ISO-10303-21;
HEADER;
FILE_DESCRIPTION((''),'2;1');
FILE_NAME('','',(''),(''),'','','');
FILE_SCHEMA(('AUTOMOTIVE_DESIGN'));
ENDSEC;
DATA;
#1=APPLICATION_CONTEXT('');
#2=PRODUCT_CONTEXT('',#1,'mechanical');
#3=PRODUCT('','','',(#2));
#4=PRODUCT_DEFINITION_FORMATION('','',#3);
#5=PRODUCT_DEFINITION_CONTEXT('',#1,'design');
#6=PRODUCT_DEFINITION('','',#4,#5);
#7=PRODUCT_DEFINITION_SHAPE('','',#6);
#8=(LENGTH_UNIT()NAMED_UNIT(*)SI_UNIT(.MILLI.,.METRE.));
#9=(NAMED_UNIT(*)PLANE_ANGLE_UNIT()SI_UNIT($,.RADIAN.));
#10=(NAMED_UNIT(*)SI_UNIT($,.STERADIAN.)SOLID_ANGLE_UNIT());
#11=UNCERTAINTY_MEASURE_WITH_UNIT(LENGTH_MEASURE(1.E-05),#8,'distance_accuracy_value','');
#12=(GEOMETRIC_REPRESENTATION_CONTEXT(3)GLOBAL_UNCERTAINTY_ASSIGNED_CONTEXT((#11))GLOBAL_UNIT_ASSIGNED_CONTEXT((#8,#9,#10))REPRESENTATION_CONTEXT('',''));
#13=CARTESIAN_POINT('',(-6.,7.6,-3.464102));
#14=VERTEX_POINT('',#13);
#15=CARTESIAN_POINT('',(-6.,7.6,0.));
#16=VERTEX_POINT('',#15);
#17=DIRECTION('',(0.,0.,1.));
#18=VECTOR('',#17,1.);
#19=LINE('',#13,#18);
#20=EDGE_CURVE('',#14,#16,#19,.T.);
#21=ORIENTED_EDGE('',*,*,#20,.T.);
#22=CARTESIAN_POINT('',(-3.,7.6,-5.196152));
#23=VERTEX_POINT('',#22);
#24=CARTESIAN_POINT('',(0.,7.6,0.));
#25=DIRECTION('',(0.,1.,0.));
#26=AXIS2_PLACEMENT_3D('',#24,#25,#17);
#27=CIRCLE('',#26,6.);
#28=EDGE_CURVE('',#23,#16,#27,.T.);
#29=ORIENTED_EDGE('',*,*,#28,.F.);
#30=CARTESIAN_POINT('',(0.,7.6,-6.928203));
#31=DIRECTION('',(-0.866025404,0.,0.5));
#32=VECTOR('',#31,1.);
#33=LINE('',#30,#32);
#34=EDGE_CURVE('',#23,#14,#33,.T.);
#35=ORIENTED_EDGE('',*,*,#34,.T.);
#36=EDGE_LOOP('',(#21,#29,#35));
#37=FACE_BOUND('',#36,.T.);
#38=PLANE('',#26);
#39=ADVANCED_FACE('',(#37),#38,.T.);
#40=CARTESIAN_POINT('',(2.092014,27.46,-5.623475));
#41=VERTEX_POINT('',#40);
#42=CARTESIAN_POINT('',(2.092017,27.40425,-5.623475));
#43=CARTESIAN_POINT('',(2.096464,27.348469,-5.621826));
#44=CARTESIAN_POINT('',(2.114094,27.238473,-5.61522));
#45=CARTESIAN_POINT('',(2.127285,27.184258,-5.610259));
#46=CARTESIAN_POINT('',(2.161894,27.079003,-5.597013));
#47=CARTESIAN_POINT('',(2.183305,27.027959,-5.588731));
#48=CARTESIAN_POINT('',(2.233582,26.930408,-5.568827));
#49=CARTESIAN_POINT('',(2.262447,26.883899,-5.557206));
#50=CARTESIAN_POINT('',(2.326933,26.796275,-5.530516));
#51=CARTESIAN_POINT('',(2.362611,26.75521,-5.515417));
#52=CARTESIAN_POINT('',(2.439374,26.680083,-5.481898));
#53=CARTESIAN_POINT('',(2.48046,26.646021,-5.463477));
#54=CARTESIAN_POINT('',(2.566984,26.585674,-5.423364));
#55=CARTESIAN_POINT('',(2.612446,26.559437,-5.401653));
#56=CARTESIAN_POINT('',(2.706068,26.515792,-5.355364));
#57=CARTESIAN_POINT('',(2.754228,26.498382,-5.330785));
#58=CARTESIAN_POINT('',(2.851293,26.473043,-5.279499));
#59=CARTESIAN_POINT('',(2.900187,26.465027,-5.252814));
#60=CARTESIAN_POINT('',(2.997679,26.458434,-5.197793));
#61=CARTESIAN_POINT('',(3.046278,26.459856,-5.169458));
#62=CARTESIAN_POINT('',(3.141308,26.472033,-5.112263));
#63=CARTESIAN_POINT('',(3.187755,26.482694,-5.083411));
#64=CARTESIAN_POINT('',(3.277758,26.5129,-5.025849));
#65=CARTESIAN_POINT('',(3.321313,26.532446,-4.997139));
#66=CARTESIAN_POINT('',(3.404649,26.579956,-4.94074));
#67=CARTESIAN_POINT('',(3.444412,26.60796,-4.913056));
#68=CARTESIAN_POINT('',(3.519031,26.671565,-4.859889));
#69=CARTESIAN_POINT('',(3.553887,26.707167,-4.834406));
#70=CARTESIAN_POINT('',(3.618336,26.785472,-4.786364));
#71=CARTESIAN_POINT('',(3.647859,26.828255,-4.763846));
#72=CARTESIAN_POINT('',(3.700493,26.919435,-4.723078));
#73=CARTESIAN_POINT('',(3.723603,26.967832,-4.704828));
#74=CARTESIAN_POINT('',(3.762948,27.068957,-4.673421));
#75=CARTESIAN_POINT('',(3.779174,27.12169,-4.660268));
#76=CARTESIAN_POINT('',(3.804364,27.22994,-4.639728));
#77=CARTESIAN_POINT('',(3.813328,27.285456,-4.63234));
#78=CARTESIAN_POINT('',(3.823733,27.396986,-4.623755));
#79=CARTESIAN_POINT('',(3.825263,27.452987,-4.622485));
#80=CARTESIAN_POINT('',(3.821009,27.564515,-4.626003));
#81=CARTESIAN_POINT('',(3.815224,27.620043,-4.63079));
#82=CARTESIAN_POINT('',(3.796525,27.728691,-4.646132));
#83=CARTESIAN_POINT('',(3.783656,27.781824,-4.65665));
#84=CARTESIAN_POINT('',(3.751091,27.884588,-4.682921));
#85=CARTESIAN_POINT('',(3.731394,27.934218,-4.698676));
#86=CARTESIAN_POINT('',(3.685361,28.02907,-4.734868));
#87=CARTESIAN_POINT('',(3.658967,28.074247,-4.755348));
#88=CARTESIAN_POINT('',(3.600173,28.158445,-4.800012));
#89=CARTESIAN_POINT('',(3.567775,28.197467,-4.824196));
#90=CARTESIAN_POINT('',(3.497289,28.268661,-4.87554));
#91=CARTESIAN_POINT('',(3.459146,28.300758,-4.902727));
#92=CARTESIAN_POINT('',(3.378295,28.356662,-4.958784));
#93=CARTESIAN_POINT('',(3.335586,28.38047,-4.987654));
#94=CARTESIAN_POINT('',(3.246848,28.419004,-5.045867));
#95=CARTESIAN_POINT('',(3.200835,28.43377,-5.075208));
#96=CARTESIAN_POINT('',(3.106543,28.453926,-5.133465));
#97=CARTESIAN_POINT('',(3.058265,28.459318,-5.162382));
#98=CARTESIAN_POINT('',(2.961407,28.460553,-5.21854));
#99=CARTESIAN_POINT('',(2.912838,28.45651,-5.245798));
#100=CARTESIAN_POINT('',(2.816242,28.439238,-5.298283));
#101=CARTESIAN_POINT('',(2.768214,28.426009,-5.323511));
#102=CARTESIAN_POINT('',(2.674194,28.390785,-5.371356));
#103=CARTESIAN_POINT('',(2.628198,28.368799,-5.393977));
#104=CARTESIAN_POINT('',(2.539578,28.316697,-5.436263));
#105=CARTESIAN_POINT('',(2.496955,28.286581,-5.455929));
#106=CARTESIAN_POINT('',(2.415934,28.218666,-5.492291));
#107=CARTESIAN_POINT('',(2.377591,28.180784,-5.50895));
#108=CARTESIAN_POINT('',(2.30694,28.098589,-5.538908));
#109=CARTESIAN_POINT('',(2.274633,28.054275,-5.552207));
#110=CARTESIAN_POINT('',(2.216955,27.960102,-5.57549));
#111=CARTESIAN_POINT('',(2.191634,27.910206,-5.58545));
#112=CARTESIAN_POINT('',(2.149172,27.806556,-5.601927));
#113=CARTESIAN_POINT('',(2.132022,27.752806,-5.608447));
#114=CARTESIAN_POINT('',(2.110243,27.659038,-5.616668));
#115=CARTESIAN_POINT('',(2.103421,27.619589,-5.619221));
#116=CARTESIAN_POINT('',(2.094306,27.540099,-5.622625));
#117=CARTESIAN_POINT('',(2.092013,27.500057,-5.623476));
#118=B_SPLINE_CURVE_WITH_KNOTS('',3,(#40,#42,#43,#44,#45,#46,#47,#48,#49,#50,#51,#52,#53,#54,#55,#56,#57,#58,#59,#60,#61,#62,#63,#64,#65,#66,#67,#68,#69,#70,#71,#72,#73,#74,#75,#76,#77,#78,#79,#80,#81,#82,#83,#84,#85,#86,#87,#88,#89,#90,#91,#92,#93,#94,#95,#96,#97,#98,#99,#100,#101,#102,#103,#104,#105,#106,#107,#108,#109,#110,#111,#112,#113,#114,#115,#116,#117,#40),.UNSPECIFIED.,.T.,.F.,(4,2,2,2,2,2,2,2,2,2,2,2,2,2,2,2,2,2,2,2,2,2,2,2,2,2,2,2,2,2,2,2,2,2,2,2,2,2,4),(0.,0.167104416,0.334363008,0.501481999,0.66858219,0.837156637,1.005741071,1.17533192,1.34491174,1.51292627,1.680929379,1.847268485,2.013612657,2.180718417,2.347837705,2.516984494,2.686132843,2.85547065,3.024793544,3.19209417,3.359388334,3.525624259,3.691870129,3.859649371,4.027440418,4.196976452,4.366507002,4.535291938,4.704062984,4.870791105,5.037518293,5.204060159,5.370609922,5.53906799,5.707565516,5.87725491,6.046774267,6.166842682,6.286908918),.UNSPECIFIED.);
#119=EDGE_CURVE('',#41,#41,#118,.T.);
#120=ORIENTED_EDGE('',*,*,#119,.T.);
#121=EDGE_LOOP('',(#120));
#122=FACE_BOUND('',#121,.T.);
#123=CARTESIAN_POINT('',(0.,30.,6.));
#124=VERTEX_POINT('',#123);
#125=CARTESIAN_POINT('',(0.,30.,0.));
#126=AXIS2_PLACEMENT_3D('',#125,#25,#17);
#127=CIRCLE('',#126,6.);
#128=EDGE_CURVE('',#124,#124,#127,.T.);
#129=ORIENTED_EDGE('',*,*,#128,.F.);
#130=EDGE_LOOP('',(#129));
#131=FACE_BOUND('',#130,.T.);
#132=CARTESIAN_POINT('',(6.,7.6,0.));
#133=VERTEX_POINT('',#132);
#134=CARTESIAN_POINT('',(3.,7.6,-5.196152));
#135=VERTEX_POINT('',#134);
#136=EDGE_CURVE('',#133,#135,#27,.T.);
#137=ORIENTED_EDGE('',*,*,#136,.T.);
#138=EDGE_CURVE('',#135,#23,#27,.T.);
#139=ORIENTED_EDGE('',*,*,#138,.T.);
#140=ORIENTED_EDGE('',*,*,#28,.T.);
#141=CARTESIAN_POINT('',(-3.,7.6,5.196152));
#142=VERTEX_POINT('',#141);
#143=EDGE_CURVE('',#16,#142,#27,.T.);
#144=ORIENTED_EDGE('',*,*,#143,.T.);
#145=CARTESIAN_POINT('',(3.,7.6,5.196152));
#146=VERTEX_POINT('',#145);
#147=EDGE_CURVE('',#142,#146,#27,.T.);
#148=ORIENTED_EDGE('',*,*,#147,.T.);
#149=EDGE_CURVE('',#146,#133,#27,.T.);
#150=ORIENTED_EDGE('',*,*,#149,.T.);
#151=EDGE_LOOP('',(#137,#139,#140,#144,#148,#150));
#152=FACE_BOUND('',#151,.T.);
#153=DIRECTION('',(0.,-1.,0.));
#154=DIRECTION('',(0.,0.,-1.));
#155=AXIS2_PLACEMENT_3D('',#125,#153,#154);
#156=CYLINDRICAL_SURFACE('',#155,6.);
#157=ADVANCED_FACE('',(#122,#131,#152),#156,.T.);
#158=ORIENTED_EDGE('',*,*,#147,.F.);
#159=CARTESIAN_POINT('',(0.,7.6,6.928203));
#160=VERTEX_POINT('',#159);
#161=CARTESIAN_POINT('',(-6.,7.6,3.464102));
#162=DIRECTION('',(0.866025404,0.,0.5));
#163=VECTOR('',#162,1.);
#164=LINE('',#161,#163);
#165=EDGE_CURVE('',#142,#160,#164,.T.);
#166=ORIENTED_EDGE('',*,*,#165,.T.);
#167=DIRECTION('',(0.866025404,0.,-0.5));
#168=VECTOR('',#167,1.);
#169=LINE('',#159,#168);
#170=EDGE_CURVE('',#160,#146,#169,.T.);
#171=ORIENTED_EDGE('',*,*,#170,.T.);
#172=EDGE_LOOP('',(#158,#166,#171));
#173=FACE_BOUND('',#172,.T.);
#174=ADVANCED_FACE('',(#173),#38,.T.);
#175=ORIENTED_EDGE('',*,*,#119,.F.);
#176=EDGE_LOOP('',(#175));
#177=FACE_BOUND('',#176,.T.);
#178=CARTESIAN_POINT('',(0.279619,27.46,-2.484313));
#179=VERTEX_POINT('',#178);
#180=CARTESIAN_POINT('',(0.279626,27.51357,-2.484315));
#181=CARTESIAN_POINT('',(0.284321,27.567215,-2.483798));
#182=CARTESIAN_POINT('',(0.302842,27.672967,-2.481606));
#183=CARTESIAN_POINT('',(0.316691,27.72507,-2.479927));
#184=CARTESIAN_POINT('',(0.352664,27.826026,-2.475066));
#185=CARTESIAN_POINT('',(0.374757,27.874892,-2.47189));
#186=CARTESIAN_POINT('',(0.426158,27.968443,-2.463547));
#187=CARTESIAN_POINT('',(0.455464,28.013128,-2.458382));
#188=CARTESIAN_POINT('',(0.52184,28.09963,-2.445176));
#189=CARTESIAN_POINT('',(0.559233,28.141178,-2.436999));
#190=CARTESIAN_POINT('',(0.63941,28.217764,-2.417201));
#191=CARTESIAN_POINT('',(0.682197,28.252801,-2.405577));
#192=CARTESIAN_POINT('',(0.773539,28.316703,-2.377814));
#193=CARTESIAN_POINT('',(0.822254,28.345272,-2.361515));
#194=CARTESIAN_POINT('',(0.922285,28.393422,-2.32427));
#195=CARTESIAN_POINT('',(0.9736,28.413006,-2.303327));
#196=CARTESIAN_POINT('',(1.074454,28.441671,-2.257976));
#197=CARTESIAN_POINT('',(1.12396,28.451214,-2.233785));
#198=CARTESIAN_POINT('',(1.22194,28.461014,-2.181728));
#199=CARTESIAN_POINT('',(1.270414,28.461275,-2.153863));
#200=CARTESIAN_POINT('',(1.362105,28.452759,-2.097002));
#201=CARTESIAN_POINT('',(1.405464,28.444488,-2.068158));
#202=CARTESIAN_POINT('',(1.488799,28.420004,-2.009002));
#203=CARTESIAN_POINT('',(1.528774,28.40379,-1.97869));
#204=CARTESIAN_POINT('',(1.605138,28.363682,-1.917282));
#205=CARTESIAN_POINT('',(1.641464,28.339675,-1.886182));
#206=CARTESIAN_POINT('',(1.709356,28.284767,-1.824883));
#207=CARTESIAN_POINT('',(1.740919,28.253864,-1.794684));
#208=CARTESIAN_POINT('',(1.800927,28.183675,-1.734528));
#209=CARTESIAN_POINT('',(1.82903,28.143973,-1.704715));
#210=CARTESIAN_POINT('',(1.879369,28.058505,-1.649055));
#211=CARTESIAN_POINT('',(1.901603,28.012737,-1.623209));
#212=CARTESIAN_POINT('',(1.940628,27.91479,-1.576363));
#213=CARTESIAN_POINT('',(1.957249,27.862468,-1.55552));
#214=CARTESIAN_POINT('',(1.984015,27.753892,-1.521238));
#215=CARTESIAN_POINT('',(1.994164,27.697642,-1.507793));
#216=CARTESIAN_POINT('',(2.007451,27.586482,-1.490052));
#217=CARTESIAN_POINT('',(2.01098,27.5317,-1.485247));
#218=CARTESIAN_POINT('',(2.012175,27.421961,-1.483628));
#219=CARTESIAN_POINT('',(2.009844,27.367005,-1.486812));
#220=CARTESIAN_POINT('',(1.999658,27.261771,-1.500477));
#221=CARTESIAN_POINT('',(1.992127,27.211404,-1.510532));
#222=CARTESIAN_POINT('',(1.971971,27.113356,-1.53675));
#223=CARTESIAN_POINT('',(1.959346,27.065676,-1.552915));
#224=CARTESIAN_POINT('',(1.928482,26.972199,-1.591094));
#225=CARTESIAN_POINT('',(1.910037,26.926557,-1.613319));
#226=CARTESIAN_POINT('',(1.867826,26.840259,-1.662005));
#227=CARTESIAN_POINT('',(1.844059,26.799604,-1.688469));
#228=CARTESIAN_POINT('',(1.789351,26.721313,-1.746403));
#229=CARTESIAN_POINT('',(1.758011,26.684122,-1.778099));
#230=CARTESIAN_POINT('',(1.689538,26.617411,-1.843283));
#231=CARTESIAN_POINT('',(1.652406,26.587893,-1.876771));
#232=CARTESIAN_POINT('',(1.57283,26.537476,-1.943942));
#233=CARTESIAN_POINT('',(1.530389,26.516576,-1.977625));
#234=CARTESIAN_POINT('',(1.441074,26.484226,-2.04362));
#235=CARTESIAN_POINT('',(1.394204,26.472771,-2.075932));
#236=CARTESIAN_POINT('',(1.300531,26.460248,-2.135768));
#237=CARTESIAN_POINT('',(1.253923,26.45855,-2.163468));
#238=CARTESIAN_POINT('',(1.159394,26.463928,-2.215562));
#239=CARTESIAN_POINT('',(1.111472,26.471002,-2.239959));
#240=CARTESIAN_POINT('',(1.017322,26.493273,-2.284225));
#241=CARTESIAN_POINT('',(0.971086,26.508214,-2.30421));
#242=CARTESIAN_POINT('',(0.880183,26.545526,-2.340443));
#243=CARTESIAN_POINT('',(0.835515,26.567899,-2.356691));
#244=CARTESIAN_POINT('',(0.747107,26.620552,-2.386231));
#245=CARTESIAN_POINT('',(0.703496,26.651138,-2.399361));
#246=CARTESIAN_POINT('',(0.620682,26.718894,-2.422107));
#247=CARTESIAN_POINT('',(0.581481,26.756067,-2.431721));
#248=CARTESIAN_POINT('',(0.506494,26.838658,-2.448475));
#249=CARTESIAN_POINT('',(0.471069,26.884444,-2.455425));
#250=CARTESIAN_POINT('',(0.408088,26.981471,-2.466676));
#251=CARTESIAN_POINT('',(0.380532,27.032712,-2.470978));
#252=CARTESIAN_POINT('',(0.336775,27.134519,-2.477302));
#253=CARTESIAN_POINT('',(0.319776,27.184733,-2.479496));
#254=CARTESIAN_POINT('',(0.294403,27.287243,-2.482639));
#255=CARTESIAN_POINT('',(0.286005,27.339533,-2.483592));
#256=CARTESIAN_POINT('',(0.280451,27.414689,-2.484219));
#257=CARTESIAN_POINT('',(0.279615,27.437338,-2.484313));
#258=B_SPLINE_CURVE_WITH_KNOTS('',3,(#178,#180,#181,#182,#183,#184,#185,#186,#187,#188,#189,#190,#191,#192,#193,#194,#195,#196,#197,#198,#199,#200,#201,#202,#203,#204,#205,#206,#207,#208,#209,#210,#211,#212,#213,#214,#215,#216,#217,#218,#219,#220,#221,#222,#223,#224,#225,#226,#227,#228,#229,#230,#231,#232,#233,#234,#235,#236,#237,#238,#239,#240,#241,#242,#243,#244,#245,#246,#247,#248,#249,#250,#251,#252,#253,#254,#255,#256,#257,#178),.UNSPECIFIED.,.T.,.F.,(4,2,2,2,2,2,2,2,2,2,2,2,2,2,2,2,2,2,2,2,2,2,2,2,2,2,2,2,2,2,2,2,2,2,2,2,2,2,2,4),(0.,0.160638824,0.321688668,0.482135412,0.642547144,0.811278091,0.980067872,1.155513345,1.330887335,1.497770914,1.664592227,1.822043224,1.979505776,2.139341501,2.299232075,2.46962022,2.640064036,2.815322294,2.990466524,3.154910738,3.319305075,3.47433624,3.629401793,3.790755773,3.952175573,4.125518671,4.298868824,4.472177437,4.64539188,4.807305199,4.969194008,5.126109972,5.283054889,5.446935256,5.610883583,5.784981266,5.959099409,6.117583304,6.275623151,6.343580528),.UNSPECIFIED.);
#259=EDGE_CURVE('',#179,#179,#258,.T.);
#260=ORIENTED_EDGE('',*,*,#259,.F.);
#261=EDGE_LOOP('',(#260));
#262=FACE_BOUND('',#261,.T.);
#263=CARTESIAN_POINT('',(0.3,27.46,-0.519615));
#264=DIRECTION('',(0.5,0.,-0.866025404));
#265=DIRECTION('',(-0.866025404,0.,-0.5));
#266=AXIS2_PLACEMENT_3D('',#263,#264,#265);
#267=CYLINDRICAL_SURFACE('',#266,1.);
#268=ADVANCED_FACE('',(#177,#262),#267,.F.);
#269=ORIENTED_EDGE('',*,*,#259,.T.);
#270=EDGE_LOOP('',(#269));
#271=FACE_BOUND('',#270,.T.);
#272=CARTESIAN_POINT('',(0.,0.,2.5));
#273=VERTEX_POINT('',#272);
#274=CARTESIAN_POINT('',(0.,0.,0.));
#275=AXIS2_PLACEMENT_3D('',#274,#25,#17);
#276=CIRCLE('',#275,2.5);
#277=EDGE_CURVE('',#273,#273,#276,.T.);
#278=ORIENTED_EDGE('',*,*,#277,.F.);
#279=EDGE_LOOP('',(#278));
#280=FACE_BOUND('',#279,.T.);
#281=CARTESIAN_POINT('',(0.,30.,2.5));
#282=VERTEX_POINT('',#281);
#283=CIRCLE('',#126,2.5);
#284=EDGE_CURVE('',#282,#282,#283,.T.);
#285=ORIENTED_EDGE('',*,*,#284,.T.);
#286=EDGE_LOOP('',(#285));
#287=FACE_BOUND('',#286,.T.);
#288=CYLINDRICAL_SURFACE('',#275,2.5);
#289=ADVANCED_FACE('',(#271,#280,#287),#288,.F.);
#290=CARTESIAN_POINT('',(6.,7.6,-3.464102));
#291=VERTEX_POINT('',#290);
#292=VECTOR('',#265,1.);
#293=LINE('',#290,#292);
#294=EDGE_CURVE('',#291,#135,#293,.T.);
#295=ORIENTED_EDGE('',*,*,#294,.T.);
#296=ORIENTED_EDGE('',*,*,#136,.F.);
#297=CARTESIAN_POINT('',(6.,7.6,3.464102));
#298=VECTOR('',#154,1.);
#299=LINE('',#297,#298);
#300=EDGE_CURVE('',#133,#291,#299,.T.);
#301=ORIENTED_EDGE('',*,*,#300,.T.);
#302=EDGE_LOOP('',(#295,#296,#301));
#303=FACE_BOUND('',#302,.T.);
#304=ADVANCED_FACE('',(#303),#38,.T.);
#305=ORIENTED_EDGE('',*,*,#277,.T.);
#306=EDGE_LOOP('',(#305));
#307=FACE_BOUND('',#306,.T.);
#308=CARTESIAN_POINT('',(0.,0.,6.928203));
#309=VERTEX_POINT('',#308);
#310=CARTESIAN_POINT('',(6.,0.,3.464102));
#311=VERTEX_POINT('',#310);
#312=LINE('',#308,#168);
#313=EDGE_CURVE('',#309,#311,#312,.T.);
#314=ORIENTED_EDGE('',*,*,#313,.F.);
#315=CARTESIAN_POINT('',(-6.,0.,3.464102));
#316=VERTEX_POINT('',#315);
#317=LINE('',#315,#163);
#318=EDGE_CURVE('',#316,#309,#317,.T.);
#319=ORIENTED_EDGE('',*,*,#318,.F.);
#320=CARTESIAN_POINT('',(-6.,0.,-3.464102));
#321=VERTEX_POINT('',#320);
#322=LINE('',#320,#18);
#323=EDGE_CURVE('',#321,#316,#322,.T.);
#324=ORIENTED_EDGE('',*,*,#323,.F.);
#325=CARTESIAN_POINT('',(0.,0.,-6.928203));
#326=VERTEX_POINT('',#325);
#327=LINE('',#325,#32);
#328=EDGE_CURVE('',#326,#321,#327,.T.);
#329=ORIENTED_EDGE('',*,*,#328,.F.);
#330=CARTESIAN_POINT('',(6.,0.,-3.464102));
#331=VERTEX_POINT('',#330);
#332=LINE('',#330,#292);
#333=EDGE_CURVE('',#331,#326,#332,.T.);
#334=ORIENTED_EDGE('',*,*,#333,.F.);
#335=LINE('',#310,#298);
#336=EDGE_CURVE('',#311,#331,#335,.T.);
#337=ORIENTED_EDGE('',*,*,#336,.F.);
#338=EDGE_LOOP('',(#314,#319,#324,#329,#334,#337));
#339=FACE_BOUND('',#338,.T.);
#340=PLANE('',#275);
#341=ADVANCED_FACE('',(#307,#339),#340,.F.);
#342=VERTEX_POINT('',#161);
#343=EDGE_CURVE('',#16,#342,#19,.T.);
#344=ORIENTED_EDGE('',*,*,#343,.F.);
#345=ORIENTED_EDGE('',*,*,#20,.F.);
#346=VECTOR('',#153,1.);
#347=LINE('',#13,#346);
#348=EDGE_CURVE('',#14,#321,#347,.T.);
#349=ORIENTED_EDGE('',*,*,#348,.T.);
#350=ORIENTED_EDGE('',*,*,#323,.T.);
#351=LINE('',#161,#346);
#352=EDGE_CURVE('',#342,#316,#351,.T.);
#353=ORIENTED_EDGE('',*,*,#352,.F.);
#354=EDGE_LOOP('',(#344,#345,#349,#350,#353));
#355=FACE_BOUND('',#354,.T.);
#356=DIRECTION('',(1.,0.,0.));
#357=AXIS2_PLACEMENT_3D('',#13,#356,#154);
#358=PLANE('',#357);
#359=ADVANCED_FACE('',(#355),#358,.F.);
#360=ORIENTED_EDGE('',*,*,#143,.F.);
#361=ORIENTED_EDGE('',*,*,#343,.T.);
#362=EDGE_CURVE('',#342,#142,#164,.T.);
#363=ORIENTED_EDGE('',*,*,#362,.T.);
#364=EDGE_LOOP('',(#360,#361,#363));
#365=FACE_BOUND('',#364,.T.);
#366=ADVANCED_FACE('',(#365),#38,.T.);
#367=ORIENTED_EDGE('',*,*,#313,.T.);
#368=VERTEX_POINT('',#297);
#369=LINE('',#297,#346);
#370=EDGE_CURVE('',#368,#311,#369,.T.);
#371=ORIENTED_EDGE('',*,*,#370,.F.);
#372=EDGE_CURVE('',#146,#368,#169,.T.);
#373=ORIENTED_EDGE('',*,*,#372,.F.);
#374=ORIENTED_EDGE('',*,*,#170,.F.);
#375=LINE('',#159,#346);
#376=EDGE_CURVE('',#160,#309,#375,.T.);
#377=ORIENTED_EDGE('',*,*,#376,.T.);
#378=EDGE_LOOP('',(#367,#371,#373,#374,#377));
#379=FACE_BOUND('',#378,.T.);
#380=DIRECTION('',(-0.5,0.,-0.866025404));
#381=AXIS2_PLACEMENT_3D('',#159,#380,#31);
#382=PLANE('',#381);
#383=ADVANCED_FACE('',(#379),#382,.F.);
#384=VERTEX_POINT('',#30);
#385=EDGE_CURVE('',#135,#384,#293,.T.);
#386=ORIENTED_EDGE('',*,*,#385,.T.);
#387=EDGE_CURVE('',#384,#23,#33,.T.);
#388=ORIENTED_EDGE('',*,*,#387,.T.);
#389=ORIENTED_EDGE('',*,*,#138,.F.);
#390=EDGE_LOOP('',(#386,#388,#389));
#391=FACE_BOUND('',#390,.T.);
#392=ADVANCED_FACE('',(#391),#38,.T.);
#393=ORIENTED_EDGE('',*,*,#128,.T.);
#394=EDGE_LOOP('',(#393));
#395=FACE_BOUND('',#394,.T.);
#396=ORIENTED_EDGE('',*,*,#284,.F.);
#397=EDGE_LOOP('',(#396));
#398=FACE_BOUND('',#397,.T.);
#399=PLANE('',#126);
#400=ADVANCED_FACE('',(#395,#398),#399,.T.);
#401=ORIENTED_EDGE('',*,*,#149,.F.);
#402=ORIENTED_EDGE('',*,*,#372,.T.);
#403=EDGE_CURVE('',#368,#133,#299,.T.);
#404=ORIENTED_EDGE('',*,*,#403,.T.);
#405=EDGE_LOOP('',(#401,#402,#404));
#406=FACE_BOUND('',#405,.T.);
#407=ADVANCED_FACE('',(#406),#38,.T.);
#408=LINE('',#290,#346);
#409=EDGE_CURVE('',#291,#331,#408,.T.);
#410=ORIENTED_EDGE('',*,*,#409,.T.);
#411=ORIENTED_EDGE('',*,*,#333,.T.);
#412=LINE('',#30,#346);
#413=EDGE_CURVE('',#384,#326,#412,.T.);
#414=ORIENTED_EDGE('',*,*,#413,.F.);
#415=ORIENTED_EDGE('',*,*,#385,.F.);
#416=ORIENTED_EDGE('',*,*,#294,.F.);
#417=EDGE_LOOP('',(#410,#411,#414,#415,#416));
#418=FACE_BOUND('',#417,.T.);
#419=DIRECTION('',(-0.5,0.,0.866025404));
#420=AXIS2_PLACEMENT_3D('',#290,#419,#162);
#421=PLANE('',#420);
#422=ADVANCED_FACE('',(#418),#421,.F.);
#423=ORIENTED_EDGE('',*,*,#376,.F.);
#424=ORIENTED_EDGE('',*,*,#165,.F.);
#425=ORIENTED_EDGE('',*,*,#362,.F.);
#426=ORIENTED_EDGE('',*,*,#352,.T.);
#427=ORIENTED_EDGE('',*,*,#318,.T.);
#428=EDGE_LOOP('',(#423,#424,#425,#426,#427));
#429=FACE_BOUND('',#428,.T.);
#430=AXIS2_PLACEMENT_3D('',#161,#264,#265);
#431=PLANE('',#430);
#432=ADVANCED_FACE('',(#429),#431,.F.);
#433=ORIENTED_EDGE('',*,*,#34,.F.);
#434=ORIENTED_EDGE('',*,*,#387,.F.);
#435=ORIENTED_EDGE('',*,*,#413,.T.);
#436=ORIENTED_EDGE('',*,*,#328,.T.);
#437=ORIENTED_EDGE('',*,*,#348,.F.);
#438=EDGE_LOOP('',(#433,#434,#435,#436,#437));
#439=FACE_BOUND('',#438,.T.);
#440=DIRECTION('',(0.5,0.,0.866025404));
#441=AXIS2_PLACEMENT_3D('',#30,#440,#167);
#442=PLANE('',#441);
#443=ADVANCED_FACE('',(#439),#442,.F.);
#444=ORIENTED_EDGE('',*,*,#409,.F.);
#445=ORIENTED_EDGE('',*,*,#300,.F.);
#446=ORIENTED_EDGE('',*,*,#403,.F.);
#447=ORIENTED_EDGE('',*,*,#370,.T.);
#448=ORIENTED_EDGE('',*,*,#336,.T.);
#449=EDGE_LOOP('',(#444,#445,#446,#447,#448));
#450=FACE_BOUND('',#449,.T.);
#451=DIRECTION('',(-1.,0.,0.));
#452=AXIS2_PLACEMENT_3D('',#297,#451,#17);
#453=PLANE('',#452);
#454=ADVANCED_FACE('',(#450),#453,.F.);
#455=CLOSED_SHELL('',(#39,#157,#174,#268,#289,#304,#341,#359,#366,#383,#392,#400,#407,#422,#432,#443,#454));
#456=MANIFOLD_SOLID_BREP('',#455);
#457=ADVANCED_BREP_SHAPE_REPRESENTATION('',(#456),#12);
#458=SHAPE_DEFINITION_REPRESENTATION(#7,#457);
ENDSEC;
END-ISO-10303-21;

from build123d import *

# Parameters (mm, degrees)
BOSS_EXTRUDE1_DEPTH = 7.6
SKETCH2_R           = 6
BOSS_EXTRUDE2_DEPTH = 22.4
SKETCH3_R           = 2.5
CUT_EXTRUDE1_DEPTH  = 32.368774283
SKETCH4_R           = 1
CUT_EXTRUDE2_DEPTH  = 15.4


with BuildPart() as part:
    # Sketch1 → Boss-Extrude1 (new body)
    with BuildSketch(Plane(origin=(0, 0, 0), x_dir=(1, 0, 0), z_dir=(0, 1, 0))):
        Polygon((0, -6.92820323), (6, -3.464101615), (6, 3.464101615), (0, 6.92820323), (-6, 3.464101615), (-6, -3.464101615), align=None)
    extrude(amount=BOSS_EXTRUDE1_DEPTH)

    # Sketch2 → Boss-Extrude2 (add)
    with BuildSketch(Plane(origin=(0, 7.6, 0), x_dir=(1, 0, 0), z_dir=(0, 1, 0))):
        with Locations(Location((0, 0, 0), (0, 0, 120))):
            Circle(SKETCH2_R)
    extrude(amount=BOSS_EXTRUDE2_DEPTH)

    # Sketch3 → Cut-Extrude1 (cut, through all)
    with BuildSketch(Plane(origin=(0, 30, 0), x_dir=(1, 0, 0), z_dir=(0, 1, 0))):
        with Locations(Location((0, 0, 0), (0, 0, 270))):
            Circle(SKETCH3_R)
    extrude(amount=-CUT_EXTRUDE1_DEPTH, mode=Mode.SUBTRACT)

    # Sketch4 → Cut-Extrude2 (cut)
    with BuildSketch(Plane(origin=(8, 0, -13.856406461), x_dir=(-0.8660254037844316, 0, -0.5000000000000123), z_dir=(0.5000000000000123, 0, -0.8660254037844316))):
        with Locations((0, 27.46)):
            Circle(SKETCH4_R)
    extrude(amount=-CUT_EXTRUDE2_DEPTH, mode=Mode.SUBTRACT)


solid = part.part
